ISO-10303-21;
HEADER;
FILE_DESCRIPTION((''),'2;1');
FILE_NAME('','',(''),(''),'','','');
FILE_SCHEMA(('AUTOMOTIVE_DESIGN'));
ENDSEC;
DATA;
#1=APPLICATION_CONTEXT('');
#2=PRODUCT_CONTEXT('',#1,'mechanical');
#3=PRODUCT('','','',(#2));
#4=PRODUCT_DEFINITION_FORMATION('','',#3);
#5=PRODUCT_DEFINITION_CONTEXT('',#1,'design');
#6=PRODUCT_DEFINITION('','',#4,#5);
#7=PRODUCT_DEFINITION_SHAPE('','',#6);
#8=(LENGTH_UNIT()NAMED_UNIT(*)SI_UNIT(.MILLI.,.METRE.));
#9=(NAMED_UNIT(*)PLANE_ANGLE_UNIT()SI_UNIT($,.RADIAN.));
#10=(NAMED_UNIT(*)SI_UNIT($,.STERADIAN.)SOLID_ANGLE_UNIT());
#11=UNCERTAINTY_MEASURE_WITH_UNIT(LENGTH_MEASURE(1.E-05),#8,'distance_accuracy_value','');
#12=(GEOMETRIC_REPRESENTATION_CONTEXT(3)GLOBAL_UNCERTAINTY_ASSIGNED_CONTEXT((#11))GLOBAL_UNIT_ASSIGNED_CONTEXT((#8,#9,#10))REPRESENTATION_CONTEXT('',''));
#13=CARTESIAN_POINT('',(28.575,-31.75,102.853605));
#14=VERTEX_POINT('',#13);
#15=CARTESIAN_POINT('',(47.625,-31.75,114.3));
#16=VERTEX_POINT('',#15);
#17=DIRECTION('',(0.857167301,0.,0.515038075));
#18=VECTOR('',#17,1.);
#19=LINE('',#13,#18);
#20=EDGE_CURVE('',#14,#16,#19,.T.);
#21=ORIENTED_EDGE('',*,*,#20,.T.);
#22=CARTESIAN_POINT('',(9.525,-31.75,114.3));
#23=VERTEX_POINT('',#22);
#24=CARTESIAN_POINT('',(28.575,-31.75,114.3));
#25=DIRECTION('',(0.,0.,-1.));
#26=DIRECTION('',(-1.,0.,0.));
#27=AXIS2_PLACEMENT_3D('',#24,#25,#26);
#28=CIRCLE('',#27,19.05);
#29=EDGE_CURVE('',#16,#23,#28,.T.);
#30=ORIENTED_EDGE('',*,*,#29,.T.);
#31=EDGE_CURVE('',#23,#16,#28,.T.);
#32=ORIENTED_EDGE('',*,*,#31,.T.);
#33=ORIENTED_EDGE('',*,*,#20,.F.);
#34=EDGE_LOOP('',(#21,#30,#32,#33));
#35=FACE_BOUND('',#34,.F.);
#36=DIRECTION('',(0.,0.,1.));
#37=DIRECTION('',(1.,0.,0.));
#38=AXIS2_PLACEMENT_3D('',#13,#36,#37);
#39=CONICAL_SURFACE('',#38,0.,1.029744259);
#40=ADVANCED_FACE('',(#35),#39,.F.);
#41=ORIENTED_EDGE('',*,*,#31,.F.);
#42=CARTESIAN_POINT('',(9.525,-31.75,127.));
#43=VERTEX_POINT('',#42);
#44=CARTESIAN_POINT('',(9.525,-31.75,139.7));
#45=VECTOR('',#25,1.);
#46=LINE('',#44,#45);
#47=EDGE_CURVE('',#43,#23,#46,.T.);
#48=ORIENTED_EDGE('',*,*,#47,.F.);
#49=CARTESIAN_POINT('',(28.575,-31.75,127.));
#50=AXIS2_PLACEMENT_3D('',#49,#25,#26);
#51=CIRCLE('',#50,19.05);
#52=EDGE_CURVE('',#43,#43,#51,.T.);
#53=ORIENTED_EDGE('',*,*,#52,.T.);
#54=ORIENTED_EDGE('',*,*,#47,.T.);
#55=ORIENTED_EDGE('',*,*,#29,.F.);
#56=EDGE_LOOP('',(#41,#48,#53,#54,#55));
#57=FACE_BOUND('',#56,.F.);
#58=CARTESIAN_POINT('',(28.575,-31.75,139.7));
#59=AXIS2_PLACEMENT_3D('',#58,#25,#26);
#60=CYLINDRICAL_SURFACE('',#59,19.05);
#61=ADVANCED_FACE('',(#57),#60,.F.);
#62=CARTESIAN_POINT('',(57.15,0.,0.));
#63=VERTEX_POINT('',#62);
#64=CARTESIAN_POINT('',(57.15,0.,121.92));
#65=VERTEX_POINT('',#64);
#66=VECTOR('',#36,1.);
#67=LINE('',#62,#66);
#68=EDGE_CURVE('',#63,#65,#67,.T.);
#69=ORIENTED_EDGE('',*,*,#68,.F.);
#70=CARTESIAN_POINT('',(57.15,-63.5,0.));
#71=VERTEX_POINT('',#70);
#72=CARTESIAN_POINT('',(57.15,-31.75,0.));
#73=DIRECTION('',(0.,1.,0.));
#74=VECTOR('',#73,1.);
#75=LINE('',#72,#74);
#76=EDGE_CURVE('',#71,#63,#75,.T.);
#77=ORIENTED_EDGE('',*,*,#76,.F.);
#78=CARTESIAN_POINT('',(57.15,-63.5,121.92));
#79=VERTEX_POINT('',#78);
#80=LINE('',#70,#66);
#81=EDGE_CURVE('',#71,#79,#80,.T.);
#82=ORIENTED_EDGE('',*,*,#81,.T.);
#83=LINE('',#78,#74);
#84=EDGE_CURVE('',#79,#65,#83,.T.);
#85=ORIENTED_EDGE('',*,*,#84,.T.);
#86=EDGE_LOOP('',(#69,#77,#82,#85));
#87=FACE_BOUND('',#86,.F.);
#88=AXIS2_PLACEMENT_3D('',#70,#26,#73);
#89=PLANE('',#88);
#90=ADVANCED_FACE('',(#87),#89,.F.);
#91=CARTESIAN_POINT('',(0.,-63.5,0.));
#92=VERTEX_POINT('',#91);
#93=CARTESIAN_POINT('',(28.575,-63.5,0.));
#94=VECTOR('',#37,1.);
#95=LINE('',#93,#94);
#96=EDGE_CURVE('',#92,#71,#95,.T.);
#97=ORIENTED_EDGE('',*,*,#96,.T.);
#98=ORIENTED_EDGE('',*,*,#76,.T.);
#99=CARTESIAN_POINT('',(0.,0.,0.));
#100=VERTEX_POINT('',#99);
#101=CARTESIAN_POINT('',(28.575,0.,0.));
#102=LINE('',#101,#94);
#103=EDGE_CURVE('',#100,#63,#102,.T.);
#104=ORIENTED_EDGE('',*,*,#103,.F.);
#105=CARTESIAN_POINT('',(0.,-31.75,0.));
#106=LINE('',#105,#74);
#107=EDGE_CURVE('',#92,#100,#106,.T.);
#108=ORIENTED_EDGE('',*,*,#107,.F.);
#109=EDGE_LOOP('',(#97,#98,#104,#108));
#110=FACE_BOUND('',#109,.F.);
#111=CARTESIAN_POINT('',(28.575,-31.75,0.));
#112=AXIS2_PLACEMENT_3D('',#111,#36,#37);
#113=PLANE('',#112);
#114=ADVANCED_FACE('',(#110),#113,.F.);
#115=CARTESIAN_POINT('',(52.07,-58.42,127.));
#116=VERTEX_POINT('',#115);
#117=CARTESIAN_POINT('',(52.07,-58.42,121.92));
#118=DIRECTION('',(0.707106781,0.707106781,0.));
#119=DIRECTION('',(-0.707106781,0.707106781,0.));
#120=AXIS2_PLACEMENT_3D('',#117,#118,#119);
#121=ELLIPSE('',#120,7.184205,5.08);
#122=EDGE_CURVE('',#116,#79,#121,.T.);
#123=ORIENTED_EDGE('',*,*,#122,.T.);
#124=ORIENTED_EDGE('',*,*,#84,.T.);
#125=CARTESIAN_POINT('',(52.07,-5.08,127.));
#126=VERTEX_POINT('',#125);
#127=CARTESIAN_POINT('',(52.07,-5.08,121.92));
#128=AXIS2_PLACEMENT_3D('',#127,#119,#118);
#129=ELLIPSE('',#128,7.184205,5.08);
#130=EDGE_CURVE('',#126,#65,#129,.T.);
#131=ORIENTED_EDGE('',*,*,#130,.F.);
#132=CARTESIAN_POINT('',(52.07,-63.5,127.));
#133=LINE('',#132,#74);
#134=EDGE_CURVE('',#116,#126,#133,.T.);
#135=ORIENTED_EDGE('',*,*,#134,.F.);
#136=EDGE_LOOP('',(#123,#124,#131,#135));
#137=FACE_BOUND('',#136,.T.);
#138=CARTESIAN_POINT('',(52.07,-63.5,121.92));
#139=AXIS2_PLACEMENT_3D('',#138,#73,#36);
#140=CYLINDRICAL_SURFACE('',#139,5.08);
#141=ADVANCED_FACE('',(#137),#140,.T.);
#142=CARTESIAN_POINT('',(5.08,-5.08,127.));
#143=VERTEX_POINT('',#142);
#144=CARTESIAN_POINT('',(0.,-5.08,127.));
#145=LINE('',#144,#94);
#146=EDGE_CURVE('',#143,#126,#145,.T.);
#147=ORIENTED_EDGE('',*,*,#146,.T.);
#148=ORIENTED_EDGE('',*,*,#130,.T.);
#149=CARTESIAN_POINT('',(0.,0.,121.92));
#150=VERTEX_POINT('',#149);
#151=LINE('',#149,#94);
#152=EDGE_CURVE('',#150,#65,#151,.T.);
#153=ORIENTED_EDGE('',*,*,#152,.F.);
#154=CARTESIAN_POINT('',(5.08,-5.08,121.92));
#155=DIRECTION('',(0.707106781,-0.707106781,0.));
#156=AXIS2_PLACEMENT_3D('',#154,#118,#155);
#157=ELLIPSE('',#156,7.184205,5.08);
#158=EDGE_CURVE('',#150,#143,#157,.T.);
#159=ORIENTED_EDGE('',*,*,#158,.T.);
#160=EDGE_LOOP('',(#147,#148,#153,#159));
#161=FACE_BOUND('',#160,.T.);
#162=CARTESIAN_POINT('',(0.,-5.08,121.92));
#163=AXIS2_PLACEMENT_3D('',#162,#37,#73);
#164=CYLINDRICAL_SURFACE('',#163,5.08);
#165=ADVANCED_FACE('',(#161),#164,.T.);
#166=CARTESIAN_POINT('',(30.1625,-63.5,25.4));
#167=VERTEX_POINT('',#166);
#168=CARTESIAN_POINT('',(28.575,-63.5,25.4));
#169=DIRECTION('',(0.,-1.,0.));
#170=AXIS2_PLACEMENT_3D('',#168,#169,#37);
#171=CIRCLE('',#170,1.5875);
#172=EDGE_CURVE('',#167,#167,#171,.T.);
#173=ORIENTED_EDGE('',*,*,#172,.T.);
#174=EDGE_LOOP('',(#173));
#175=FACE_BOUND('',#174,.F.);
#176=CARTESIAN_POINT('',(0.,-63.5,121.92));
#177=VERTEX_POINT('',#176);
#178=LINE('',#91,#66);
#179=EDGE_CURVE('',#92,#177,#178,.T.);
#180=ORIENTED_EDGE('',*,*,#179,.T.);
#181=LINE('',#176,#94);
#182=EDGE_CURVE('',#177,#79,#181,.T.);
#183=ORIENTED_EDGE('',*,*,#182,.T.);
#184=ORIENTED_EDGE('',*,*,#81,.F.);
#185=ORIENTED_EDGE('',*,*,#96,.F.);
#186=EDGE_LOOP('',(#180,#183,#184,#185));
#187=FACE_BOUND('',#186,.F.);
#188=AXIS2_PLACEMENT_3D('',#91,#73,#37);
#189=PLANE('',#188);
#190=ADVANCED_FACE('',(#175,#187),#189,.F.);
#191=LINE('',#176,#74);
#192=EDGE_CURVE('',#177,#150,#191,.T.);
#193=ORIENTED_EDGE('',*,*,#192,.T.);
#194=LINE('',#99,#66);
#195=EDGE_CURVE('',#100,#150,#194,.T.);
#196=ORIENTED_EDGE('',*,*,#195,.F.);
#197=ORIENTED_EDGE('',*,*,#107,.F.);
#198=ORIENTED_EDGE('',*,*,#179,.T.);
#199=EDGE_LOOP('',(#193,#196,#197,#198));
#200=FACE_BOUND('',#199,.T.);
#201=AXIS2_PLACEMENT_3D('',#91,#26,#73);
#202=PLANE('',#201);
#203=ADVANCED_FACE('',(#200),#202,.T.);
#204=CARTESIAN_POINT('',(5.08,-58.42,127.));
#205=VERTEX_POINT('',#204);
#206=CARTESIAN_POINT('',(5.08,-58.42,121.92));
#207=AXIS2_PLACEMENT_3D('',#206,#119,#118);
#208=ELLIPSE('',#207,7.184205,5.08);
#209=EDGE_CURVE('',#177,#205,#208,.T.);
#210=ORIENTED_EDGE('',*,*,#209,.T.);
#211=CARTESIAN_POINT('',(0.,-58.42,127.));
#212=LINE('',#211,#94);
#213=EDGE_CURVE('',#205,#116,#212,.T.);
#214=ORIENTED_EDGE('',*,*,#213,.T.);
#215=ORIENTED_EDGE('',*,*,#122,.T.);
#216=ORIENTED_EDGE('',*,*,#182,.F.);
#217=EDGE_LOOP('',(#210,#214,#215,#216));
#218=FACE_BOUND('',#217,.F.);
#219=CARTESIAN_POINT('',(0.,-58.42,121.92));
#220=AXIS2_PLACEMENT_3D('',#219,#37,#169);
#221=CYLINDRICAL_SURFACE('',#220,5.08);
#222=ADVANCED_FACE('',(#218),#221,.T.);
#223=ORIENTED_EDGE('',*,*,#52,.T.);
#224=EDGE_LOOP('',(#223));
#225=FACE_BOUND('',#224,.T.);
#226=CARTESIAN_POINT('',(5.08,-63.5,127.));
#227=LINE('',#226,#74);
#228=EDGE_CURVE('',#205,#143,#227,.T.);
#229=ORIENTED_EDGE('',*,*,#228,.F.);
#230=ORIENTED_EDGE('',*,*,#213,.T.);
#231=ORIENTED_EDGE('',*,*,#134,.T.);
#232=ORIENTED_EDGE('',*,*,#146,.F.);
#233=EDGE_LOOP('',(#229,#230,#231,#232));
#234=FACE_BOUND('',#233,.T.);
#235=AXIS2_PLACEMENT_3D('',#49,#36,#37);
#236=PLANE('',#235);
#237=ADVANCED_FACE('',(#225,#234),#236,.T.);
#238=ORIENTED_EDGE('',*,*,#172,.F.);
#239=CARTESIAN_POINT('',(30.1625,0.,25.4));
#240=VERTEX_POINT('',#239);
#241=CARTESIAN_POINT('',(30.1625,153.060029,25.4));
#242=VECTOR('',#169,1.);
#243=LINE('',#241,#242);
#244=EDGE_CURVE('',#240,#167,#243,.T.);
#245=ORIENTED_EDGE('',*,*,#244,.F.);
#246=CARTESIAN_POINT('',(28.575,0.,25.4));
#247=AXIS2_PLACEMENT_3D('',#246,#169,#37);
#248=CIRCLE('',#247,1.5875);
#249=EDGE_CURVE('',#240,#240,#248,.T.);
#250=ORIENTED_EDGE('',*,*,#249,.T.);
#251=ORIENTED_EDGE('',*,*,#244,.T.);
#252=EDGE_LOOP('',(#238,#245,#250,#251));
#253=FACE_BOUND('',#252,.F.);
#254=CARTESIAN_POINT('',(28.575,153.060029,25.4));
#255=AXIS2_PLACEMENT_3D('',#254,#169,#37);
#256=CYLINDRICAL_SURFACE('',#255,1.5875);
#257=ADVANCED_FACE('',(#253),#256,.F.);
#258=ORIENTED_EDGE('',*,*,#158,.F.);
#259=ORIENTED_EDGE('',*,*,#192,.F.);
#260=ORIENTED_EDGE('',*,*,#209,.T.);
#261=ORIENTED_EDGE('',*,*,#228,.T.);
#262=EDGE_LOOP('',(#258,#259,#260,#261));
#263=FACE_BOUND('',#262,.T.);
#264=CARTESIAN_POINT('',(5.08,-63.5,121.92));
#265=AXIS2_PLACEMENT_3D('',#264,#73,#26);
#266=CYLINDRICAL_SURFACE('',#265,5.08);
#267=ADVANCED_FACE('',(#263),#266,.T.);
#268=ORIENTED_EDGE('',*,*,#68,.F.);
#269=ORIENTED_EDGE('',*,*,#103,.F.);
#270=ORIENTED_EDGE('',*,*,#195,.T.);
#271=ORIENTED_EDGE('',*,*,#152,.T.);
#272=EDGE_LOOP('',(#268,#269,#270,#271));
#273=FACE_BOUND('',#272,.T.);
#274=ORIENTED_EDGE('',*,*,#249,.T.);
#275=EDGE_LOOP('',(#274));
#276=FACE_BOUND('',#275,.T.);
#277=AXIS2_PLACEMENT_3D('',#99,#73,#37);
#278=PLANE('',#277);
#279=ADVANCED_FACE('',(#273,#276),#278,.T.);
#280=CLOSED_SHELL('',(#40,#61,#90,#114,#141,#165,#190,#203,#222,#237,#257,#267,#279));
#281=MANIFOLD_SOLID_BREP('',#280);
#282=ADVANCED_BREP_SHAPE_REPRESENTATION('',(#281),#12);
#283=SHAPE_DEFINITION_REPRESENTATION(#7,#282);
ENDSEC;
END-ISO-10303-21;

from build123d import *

# Parameters (mm, degrees)
F0_W     = 57.15
F0_H     = 63.5
F1_DEPTH = 127
F3_D     = 38.1
F3_DEPTH = 12.7
F3_TIP   = 11.4463947925
F4_R     = 5.08
F6_D     = 3.175


with BuildPart() as f1:
    # F0 (on Top) → F1 (new body)
    with BuildSketch(Plane.XY):
        with Locations((28.575, -31.75)):
            Rectangle(F0_W, F0_H)
    extrude(amount=F1_DEPTH)

    # F3
    with Locations(Plane.XY.offset(127)):
        with Locations((28.575, -31.75)):
            Hole(F3_D / 2, depth=F3_DEPTH)
            with Locations((0, 0, -(F3_DEPTH + F3_TIP / 2))):  # 118° drill point
                Cone(0, F3_D / 2, F3_TIP, mode=Mode.SUBTRACT)

    # F4
    f4_edges = [f1.edges().sort_by_distance(p)[0] for p in [
        (57.15, -31.75, 127),
        (28.575, 0, 127),
        (0, -31.75, 127),
        (28.575, -63.5, 127),
    ]]
    fillet(f4_edges, radius=F4_R)

    # F6 (through all)
    with Locations(Plane(origin=(0, 0, 0), x_dir=(-1, 0, 0), z_dir=(0, 1, 0))):
        with Locations((-28.575, 25.4)):
            Hole(F6_D / 2)


solid = f1.part
